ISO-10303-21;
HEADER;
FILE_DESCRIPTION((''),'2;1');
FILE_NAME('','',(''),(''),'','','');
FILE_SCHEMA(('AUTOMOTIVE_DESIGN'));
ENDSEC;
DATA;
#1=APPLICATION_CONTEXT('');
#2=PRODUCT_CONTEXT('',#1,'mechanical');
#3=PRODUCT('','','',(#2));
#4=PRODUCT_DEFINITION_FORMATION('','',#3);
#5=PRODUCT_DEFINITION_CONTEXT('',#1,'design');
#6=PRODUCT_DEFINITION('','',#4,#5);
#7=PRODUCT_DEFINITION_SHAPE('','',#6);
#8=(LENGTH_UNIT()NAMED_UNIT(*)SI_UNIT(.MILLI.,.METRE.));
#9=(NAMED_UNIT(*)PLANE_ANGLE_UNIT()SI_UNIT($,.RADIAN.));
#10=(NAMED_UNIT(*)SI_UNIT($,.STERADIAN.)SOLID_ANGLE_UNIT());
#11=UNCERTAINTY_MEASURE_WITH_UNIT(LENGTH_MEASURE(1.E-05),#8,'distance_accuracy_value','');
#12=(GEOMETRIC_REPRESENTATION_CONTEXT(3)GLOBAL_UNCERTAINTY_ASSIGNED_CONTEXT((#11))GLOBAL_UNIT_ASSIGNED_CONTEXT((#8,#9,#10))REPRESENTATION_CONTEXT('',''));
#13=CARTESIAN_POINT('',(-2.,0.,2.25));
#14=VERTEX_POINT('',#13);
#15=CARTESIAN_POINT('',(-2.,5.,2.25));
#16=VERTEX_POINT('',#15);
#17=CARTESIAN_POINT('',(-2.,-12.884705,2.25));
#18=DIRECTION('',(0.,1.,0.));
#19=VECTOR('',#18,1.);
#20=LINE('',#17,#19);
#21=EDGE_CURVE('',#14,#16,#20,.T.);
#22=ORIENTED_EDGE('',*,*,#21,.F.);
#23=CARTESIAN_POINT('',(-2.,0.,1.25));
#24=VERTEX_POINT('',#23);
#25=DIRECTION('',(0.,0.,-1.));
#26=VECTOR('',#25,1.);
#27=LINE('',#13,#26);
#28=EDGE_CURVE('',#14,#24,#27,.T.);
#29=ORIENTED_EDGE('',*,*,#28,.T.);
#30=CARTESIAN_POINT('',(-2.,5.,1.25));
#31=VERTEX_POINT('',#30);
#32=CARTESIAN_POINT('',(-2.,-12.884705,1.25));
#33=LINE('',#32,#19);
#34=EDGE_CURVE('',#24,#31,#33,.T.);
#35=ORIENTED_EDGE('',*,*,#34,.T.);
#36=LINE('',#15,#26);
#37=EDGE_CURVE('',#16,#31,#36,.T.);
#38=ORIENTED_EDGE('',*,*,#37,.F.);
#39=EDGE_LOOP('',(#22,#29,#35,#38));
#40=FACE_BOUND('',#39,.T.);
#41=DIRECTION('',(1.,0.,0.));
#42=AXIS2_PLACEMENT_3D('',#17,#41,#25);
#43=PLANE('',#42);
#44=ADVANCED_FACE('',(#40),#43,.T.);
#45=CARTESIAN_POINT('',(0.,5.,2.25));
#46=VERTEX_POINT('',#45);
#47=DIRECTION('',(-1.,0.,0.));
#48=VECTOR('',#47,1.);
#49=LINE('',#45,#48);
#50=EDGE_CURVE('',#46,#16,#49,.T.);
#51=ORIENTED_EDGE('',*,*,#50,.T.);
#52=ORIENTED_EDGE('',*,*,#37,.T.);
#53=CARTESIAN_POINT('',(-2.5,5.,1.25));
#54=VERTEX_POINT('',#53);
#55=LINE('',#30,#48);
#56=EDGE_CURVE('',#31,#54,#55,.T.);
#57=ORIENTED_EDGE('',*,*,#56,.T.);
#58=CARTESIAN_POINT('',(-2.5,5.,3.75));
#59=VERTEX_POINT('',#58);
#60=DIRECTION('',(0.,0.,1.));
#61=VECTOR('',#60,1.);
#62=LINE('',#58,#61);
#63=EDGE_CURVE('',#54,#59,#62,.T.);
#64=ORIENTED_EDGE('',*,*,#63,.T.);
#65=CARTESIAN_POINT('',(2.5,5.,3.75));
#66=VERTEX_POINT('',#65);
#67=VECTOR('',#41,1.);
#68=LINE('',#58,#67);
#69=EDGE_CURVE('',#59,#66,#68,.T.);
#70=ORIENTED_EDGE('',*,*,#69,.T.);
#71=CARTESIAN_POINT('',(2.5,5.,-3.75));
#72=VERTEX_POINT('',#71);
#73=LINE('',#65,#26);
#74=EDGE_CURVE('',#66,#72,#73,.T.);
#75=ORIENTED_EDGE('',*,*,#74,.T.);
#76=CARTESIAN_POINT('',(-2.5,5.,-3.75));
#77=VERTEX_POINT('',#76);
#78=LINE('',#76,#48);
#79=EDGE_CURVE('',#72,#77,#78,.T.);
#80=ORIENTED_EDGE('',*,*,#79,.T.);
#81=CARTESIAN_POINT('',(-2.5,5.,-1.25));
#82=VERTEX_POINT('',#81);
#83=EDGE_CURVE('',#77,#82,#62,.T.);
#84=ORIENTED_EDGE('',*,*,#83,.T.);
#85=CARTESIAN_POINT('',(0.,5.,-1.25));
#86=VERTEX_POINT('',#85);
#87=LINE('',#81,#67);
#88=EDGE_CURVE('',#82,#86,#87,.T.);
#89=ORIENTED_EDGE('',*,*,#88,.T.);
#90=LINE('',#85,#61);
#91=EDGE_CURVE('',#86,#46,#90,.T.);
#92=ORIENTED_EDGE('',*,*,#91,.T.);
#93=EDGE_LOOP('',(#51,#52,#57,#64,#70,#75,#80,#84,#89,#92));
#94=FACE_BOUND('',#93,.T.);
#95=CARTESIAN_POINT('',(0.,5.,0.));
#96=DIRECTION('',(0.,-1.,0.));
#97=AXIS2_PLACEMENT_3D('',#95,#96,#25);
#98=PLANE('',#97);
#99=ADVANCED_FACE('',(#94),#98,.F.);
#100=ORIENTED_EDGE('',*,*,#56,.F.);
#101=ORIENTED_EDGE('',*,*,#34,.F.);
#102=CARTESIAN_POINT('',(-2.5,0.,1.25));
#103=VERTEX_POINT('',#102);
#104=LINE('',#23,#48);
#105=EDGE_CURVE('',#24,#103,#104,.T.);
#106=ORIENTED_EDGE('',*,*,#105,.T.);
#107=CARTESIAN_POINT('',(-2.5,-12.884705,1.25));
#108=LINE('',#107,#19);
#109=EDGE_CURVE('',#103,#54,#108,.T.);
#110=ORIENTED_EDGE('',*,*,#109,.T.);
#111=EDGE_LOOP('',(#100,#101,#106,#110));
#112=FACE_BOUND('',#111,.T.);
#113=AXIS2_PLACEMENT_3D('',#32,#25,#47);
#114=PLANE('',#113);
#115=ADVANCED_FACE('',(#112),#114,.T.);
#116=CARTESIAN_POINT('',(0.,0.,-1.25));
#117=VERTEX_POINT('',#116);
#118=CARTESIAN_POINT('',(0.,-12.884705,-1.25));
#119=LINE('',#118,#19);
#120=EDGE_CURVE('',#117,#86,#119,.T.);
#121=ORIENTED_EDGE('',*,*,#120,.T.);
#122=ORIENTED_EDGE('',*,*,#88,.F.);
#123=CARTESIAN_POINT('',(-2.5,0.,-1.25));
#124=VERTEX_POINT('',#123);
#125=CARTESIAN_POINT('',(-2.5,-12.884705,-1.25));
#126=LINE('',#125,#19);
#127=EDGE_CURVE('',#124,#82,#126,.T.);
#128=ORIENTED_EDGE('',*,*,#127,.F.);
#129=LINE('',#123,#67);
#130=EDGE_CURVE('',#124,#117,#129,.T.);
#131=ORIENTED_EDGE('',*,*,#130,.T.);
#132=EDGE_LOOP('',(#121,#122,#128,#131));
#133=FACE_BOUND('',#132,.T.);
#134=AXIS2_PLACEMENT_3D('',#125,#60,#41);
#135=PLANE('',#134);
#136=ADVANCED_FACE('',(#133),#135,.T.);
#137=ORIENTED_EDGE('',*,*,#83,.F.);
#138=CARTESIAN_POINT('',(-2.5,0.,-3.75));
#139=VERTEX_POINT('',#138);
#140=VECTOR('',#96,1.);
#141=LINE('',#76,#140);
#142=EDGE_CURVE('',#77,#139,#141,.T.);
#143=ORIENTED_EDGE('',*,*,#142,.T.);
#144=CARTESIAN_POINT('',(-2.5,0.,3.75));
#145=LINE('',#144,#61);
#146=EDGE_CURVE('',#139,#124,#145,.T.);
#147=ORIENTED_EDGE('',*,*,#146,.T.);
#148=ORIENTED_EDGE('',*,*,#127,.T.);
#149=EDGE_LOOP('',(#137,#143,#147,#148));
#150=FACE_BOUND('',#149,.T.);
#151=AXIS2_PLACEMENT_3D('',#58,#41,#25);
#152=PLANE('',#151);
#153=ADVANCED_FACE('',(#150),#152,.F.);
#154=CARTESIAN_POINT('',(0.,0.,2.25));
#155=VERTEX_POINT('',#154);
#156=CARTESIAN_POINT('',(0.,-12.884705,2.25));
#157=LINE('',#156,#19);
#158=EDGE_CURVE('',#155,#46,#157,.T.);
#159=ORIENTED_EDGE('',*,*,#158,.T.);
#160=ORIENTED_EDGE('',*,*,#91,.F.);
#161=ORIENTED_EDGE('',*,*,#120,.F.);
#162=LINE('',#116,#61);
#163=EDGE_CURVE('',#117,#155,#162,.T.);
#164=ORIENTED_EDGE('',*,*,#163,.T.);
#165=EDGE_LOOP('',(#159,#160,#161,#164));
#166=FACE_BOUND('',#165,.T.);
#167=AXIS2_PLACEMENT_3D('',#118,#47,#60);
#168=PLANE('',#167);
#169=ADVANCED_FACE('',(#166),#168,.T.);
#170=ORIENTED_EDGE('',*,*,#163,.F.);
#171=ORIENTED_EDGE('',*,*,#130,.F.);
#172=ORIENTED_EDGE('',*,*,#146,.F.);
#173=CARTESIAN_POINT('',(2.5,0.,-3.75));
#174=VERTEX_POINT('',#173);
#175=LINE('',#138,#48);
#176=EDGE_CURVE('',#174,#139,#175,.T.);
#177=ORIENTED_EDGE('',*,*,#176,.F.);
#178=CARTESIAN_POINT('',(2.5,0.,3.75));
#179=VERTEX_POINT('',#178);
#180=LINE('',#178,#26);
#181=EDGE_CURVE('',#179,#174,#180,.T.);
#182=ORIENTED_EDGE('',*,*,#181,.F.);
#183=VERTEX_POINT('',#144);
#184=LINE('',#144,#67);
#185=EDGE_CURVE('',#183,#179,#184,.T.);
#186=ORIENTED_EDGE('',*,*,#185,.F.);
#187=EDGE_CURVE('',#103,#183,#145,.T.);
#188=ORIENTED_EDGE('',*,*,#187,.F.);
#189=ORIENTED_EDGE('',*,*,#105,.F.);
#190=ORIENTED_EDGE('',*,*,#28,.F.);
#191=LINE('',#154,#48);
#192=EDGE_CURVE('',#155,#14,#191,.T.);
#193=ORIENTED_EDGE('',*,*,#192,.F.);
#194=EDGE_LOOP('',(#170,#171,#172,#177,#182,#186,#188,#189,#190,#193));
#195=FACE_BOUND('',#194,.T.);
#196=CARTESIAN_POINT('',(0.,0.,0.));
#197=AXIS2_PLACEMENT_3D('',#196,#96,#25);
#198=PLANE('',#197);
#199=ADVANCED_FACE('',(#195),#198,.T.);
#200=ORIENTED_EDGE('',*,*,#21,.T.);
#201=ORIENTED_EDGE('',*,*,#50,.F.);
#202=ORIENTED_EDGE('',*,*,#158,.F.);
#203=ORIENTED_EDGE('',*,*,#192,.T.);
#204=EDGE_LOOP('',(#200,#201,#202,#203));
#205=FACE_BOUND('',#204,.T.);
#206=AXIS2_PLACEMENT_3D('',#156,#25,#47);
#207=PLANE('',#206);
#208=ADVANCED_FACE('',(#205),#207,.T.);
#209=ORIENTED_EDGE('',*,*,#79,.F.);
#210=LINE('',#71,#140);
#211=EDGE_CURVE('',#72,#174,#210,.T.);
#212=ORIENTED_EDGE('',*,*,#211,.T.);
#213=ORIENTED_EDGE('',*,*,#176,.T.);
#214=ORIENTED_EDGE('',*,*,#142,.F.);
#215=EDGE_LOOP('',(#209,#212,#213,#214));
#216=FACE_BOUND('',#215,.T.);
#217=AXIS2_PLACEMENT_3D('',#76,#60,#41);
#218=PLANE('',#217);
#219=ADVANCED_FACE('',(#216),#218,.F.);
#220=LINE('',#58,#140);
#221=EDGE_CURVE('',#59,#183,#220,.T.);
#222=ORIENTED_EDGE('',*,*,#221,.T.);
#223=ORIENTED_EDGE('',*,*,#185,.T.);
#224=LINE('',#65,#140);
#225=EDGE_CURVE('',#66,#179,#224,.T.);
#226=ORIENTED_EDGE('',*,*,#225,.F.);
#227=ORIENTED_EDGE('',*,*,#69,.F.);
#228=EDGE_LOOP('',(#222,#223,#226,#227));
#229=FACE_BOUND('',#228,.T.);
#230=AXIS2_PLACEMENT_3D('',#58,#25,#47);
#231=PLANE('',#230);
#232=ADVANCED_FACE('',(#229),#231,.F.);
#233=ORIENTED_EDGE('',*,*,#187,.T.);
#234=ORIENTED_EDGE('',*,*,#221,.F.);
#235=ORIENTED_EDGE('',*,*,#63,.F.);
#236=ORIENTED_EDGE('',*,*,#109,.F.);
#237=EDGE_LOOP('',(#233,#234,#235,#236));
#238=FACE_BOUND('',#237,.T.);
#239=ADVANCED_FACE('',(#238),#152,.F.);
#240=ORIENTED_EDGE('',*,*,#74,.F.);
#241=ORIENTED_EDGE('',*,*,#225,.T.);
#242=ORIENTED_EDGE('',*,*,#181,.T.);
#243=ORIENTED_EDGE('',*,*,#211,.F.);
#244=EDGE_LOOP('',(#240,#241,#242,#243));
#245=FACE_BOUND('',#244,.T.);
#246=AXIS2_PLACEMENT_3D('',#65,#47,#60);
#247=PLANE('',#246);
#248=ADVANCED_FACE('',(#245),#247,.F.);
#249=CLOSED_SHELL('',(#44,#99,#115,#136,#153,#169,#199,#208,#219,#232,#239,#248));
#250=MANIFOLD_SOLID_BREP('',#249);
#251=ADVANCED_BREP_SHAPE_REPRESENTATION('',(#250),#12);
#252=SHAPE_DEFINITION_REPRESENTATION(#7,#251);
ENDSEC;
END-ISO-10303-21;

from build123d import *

# Parameters (mm, degrees)
SKETCH2_W               = 5
SKETCH2_H               = 7.5
BOSS_EXTRUDE1_DEPTH     = 5
CUT_EXTRUDE1_DEPTH      = 7.731456009
CUT_EXTRUDE1_DEPTH_BACK = 5


with BuildPart() as part:
    # Sketch2 → Boss-Extrude1 (new body)
    with BuildSketch(Plane(origin=(0, 0, 0), x_dir=(1, 0, 0), z_dir=(0, 1, 0))):
        Rectangle(SKETCH2_W, SKETCH2_H)
    extrude(amount=BOSS_EXTRUDE1_DEPTH)

    # Sketch3 → Cut-Extrude1 (cut, two sides: drawn at the far end of the back side and taken through both)
    with BuildSketch(Plane.XZ.offset(-CUT_EXTRUDE1_DEPTH_BACK)):
        Polygon((-26.642135624, -1.25), (-2.5, -1.25), (0, -1.25), (0, 2.25), (-2, 2.25), (-2, 1.25), (-2.5, 1.25), (-26.642135624, 1.25), (-74.926406871, 1.25), (-74.926406871, -1.25), align=None)
    extrude(amount=CUT_EXTRUDE1_DEPTH + CUT_EXTRUDE1_DEPTH_BACK, mode=Mode.SUBTRACT)


solid = part.part
